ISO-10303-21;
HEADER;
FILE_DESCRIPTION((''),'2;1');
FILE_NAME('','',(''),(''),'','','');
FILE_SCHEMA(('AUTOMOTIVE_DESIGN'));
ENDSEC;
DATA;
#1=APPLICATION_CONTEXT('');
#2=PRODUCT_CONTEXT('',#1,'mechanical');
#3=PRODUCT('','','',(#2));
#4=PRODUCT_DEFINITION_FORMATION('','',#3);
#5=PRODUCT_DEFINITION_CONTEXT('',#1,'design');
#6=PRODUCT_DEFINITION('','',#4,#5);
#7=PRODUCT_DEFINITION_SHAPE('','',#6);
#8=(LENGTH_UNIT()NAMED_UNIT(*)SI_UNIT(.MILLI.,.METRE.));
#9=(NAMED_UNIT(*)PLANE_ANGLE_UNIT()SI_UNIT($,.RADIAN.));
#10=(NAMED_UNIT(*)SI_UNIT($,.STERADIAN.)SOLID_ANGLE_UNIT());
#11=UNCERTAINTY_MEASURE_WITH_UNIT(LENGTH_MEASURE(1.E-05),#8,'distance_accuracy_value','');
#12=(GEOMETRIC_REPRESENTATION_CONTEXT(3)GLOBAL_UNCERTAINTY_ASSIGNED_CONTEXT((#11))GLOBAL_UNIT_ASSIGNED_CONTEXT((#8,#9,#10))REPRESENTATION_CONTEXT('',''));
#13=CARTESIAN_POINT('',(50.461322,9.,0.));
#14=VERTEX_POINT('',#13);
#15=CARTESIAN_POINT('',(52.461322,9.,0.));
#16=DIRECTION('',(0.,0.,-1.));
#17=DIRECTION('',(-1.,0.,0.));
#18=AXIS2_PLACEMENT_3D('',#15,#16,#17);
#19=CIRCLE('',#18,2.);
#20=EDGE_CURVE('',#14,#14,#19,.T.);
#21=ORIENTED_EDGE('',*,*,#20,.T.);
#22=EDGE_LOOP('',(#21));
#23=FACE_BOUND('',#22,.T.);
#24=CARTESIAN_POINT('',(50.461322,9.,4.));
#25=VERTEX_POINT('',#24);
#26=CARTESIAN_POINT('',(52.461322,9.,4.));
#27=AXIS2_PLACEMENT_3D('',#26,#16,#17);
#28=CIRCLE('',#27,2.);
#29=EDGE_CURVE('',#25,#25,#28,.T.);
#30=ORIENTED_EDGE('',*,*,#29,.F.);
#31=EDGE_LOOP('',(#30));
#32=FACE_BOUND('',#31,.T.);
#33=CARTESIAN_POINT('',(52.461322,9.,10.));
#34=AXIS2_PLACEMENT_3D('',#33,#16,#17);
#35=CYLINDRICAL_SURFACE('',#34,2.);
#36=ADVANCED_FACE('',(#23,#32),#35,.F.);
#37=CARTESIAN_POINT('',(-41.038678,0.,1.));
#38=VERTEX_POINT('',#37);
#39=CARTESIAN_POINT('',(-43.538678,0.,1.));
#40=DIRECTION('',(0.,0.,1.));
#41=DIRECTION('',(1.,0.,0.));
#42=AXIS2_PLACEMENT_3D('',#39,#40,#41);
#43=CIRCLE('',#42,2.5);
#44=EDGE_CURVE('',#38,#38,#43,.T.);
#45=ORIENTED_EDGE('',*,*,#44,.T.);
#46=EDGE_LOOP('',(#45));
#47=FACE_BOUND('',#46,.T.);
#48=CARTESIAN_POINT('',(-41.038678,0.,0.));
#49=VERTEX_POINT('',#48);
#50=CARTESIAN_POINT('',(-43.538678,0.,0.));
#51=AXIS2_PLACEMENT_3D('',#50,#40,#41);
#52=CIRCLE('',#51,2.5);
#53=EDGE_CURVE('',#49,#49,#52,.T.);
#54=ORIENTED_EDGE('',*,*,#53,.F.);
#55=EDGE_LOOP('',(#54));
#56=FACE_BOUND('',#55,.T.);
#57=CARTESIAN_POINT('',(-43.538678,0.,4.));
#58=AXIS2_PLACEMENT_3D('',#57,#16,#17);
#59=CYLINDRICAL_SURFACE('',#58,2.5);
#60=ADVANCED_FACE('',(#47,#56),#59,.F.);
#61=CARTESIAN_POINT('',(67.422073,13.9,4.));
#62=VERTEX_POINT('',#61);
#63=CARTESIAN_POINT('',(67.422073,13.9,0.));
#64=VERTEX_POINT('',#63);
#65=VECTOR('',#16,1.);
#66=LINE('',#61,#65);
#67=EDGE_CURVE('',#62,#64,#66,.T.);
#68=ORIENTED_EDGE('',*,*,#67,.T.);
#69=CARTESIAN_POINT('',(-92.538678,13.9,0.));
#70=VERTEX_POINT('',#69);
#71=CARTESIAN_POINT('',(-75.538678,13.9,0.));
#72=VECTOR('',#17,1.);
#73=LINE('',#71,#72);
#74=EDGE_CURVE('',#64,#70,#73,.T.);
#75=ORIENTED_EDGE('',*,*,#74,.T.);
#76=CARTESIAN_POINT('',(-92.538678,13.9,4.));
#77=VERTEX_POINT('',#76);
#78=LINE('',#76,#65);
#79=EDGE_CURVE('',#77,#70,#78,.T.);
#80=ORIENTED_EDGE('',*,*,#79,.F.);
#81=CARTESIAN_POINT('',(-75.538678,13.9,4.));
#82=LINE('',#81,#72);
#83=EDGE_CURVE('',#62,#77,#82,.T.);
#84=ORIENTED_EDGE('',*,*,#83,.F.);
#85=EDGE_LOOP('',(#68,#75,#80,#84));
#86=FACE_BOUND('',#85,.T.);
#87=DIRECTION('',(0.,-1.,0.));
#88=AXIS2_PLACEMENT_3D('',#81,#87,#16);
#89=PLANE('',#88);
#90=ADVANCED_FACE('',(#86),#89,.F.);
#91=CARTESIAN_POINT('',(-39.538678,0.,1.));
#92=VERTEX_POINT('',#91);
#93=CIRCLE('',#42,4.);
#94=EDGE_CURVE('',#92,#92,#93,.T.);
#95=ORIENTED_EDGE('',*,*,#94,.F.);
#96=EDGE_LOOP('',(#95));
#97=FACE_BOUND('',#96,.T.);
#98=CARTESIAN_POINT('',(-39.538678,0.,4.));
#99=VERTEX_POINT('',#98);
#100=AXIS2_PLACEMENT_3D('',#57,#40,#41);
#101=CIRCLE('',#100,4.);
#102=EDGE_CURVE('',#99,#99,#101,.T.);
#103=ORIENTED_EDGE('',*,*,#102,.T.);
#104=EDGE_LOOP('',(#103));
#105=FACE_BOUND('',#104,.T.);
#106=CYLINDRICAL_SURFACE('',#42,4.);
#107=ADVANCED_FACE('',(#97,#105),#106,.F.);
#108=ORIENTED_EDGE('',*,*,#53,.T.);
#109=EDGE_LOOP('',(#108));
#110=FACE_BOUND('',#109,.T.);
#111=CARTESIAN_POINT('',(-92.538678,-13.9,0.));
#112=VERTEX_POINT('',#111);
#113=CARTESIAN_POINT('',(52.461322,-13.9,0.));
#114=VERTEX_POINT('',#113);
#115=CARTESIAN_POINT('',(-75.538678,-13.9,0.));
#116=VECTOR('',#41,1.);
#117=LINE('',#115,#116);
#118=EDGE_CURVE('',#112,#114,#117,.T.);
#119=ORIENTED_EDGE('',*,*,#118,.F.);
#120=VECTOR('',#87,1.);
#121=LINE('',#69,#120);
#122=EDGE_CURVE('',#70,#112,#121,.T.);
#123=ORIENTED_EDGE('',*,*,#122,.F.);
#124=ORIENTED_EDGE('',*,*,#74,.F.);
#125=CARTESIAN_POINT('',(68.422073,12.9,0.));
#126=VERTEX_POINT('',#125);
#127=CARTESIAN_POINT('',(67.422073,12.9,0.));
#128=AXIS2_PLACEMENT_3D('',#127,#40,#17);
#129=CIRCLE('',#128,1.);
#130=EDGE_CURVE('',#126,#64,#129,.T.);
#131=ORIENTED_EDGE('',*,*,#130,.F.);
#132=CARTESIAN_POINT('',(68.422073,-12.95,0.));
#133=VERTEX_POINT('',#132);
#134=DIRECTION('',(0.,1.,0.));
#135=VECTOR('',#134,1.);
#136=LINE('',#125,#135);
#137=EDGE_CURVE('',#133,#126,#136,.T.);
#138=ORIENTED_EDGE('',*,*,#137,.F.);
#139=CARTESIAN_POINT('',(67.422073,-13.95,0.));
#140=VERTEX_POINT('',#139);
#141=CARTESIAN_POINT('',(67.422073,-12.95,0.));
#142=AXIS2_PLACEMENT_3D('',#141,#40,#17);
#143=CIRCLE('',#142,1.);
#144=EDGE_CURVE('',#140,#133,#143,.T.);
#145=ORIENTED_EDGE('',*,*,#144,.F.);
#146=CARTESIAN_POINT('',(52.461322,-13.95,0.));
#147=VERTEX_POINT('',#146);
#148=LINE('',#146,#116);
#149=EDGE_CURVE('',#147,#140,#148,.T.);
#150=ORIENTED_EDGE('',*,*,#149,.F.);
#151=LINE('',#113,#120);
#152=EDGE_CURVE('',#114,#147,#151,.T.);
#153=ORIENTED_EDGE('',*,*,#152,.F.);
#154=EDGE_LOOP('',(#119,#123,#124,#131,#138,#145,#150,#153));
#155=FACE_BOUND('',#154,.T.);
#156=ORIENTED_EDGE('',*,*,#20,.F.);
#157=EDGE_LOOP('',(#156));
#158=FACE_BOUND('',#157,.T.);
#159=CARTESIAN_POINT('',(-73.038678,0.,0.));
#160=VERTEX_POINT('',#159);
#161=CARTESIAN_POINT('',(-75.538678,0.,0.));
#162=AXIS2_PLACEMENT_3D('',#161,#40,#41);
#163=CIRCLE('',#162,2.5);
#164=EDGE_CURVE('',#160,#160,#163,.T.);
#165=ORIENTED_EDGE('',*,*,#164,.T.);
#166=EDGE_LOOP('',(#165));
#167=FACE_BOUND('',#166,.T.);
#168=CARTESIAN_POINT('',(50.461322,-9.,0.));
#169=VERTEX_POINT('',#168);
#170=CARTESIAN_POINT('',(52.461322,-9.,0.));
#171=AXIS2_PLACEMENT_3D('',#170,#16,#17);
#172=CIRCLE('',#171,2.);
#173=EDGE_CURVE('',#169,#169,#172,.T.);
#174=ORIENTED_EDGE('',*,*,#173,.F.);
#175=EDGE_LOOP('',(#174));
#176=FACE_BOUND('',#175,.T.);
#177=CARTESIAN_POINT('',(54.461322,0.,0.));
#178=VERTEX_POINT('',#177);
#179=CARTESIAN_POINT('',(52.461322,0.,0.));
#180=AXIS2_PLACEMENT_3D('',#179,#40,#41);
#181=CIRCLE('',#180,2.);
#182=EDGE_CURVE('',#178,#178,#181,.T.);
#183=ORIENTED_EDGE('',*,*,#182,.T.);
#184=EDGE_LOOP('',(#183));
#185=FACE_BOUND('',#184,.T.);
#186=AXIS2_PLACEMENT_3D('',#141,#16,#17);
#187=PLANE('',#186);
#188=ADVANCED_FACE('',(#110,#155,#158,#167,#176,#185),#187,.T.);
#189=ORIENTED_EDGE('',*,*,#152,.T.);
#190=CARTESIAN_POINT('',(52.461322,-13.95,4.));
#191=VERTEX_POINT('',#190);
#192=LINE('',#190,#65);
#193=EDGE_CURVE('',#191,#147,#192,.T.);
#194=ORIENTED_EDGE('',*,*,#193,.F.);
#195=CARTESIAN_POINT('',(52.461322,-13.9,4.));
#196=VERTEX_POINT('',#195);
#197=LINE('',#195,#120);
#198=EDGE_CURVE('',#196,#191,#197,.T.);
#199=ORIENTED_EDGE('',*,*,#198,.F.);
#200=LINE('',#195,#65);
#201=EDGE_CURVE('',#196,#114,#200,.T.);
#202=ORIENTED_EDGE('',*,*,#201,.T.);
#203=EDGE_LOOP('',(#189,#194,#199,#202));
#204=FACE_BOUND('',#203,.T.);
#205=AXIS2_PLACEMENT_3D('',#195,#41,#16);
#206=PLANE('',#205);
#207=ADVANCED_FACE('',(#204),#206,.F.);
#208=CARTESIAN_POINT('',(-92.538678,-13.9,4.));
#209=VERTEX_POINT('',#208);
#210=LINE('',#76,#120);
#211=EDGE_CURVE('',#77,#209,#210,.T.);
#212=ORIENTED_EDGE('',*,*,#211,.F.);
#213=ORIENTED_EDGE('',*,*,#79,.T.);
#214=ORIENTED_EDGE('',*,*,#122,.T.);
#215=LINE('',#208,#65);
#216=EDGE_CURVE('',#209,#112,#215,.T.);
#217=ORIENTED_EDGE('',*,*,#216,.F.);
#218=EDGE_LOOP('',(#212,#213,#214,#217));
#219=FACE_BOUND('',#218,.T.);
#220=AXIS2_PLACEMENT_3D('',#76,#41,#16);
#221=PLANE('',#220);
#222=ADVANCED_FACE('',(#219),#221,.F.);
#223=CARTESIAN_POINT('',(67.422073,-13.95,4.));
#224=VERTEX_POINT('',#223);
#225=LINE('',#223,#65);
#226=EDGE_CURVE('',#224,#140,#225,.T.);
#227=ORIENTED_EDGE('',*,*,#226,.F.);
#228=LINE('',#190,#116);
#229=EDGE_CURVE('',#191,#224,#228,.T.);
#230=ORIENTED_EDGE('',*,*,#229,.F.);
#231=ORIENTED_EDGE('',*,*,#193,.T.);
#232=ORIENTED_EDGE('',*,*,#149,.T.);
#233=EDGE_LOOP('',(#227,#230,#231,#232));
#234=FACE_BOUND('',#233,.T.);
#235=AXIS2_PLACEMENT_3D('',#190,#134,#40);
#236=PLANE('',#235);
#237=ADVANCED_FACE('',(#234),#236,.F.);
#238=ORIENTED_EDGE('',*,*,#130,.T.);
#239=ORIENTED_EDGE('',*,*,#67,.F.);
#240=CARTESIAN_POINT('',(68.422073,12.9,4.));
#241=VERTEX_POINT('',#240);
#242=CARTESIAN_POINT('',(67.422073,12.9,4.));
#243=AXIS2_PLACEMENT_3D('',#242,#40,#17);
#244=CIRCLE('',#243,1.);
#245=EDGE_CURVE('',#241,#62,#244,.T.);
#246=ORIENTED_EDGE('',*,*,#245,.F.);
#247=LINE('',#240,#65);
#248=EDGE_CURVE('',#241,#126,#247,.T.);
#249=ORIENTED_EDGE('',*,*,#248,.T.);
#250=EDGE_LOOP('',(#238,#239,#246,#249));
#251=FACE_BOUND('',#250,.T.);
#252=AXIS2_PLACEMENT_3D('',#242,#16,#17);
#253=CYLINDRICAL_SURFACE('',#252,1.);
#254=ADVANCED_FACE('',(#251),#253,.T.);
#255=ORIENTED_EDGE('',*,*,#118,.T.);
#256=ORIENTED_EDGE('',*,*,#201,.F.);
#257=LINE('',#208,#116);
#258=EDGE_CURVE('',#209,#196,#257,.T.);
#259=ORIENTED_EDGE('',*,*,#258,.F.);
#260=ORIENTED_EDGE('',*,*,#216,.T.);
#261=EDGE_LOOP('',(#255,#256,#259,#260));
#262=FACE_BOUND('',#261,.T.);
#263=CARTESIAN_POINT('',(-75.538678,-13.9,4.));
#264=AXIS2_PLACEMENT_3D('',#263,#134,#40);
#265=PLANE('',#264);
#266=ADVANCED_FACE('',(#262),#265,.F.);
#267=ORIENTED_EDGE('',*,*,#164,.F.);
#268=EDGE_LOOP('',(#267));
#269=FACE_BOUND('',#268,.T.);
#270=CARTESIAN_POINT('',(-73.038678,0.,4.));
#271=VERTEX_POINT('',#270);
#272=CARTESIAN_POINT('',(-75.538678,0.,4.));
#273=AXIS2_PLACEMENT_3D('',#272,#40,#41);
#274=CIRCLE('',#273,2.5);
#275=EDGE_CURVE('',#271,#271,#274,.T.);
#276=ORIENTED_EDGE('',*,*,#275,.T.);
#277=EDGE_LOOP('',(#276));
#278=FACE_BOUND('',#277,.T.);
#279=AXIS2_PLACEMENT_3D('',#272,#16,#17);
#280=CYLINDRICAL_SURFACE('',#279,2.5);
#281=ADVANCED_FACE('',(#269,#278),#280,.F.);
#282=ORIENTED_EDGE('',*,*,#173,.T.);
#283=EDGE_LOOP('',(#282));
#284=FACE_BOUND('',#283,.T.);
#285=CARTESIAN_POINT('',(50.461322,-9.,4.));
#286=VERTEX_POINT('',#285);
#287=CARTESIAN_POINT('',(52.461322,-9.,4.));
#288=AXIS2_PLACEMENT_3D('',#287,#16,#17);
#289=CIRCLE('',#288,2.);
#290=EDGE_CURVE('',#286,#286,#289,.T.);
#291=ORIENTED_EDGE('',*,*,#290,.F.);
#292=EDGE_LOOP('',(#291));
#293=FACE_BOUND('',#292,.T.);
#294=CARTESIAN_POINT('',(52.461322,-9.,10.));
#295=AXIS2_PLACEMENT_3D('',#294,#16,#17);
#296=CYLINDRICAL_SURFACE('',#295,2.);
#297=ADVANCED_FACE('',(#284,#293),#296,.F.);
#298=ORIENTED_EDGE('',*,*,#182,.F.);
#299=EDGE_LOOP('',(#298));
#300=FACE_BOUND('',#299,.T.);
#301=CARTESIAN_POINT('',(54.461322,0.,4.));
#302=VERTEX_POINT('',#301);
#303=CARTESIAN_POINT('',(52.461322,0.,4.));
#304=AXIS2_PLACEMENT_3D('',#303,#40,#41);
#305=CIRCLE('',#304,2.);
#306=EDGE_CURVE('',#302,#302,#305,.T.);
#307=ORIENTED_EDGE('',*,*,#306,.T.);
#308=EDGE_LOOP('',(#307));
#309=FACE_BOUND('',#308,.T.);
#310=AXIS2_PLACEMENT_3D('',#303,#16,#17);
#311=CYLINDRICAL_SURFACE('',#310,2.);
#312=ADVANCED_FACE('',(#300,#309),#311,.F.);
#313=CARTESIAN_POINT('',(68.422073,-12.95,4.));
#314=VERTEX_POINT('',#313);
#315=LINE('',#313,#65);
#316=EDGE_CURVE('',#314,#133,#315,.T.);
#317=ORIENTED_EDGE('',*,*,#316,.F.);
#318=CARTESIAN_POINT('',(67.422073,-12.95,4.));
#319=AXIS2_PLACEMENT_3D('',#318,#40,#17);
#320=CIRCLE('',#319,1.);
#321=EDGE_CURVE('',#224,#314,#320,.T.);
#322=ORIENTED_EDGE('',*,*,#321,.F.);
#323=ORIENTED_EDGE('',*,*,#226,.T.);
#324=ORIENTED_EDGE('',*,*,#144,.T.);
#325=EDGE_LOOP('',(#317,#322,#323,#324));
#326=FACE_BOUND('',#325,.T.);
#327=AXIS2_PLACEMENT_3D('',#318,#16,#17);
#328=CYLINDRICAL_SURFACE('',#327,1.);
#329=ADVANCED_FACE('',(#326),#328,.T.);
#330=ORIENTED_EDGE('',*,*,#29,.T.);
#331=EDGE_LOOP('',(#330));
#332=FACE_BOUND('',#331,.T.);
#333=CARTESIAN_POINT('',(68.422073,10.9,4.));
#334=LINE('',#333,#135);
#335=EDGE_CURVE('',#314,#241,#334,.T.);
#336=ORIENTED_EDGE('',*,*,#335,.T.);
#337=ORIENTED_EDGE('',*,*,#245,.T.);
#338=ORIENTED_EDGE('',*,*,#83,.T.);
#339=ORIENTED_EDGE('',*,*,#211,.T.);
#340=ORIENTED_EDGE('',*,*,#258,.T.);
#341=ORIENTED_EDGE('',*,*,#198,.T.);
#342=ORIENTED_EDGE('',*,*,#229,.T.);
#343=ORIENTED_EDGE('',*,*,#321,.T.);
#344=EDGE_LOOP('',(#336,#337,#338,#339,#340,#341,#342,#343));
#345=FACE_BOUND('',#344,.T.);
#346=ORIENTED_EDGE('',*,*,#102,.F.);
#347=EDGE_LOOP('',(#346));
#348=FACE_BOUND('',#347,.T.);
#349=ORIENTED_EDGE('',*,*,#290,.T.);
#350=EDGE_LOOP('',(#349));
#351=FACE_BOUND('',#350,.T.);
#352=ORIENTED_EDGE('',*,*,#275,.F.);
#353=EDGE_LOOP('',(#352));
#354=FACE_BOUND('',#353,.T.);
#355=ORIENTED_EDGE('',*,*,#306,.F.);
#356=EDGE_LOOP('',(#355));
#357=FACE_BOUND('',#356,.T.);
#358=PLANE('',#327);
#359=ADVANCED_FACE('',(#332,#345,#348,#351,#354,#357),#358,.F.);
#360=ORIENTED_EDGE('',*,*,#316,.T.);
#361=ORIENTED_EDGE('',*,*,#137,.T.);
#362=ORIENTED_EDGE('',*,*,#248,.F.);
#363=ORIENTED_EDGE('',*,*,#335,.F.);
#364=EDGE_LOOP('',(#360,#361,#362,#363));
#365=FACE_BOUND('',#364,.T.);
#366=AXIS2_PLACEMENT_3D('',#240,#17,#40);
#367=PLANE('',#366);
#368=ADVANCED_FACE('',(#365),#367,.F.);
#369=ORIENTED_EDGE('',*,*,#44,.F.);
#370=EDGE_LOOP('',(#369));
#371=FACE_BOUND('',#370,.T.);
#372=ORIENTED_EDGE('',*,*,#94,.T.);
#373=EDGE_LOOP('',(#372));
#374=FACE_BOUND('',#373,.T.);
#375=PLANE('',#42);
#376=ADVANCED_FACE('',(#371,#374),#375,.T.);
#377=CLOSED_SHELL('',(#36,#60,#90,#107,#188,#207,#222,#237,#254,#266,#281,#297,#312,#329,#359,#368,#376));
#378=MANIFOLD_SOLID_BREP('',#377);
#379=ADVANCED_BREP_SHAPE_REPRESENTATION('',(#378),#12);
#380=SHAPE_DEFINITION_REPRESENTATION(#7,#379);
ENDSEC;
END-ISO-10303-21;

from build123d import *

# Parameters (mm, degrees)
SKETCH_1_R          = 2.5
SKETCH_1_R_2        = 2
EXTRUDE_1_DEPTH     = 4
SKETCH_2_R          = 2
CUT_EXTRUDE_1_DEPTH = 10
SKETCH_4_R          = 4
CUT_EXTRUDE_2_DEPTH = 3


with BuildPart() as part:
    # 草图1 → 凸台-拉伸1 (new body)
    with BuildSketch(Plane.XY):
        with BuildLine():
            Line((-75.538677918, 13.9), (52.461322082, 13.9))
            Line((52.461322082, 13.9), (65.422072845, 13.9))
            Line((65.422072845, 13.9), (67.422072845, 13.9))
            ThreePointArc((67.422072845, 13.9), (68.129179626, 13.607106781), (68.422072845, 12.9))
            Line((68.422072845, 12.9), (68.422072845, 10.9))
            Line((68.422072845, 10.9), (68.422072845, -12.95))
            ThreePointArc((68.422072845, -12.95), (68.129179626, -13.657106781), (67.422072845, -13.95))
            Line((67.422072845, -13.95), (52.461322082, -13.95))
            Line((52.461322082, -13.95), (52.461322082, -13.9))
            Line((52.461322082, -13.9), (-75.538677918, -13.9))
            Line((-75.538677918, -13.9), (-92.538677918, -13.9))
            Line((-92.538677918, -13.9), (-92.538677918, 13.9))
            Line((-92.538677918, 13.9), (-75.538677918, 13.9))
        make_face()
        with Locations((-75.538677918, 0)):
            Circle(SKETCH_1_R, mode=Mode.SUBTRACT)
        with Locations((52.461322082, 0)):
            Circle(SKETCH_1_R_2, mode=Mode.SUBTRACT)
        with Locations((-43.538677918, 0)):
            Circle(SKETCH_1_R, mode=Mode.SUBTRACT)
    extrude(amount=EXTRUDE_1_DEPTH)

    # 草图2 → 切除-拉伸1 (cut)
    with BuildSketch(Plane(origin=(0, 0, 0), x_dir=(-1, 0, 0), z_dir=(0, 0, -1))):
        with Locations((-52.461322082, -9)):
            Circle(SKETCH_2_R)
        with Locations((-52.461322082, 9)):
            Circle(SKETCH_2_R)
    extrude(amount=-CUT_EXTRUDE_1_DEPTH, mode=Mode.SUBTRACT)

    # 草图4 → 切除-拉伸2 (cut)
    with BuildSketch(Plane.XY.offset(4)):
        with Locations((-43.538677918, 0)):
            Circle(SKETCH_4_R)
    extrude(amount=-CUT_EXTRUDE_2_DEPTH, mode=Mode.SUBTRACT)


solid = part.part
